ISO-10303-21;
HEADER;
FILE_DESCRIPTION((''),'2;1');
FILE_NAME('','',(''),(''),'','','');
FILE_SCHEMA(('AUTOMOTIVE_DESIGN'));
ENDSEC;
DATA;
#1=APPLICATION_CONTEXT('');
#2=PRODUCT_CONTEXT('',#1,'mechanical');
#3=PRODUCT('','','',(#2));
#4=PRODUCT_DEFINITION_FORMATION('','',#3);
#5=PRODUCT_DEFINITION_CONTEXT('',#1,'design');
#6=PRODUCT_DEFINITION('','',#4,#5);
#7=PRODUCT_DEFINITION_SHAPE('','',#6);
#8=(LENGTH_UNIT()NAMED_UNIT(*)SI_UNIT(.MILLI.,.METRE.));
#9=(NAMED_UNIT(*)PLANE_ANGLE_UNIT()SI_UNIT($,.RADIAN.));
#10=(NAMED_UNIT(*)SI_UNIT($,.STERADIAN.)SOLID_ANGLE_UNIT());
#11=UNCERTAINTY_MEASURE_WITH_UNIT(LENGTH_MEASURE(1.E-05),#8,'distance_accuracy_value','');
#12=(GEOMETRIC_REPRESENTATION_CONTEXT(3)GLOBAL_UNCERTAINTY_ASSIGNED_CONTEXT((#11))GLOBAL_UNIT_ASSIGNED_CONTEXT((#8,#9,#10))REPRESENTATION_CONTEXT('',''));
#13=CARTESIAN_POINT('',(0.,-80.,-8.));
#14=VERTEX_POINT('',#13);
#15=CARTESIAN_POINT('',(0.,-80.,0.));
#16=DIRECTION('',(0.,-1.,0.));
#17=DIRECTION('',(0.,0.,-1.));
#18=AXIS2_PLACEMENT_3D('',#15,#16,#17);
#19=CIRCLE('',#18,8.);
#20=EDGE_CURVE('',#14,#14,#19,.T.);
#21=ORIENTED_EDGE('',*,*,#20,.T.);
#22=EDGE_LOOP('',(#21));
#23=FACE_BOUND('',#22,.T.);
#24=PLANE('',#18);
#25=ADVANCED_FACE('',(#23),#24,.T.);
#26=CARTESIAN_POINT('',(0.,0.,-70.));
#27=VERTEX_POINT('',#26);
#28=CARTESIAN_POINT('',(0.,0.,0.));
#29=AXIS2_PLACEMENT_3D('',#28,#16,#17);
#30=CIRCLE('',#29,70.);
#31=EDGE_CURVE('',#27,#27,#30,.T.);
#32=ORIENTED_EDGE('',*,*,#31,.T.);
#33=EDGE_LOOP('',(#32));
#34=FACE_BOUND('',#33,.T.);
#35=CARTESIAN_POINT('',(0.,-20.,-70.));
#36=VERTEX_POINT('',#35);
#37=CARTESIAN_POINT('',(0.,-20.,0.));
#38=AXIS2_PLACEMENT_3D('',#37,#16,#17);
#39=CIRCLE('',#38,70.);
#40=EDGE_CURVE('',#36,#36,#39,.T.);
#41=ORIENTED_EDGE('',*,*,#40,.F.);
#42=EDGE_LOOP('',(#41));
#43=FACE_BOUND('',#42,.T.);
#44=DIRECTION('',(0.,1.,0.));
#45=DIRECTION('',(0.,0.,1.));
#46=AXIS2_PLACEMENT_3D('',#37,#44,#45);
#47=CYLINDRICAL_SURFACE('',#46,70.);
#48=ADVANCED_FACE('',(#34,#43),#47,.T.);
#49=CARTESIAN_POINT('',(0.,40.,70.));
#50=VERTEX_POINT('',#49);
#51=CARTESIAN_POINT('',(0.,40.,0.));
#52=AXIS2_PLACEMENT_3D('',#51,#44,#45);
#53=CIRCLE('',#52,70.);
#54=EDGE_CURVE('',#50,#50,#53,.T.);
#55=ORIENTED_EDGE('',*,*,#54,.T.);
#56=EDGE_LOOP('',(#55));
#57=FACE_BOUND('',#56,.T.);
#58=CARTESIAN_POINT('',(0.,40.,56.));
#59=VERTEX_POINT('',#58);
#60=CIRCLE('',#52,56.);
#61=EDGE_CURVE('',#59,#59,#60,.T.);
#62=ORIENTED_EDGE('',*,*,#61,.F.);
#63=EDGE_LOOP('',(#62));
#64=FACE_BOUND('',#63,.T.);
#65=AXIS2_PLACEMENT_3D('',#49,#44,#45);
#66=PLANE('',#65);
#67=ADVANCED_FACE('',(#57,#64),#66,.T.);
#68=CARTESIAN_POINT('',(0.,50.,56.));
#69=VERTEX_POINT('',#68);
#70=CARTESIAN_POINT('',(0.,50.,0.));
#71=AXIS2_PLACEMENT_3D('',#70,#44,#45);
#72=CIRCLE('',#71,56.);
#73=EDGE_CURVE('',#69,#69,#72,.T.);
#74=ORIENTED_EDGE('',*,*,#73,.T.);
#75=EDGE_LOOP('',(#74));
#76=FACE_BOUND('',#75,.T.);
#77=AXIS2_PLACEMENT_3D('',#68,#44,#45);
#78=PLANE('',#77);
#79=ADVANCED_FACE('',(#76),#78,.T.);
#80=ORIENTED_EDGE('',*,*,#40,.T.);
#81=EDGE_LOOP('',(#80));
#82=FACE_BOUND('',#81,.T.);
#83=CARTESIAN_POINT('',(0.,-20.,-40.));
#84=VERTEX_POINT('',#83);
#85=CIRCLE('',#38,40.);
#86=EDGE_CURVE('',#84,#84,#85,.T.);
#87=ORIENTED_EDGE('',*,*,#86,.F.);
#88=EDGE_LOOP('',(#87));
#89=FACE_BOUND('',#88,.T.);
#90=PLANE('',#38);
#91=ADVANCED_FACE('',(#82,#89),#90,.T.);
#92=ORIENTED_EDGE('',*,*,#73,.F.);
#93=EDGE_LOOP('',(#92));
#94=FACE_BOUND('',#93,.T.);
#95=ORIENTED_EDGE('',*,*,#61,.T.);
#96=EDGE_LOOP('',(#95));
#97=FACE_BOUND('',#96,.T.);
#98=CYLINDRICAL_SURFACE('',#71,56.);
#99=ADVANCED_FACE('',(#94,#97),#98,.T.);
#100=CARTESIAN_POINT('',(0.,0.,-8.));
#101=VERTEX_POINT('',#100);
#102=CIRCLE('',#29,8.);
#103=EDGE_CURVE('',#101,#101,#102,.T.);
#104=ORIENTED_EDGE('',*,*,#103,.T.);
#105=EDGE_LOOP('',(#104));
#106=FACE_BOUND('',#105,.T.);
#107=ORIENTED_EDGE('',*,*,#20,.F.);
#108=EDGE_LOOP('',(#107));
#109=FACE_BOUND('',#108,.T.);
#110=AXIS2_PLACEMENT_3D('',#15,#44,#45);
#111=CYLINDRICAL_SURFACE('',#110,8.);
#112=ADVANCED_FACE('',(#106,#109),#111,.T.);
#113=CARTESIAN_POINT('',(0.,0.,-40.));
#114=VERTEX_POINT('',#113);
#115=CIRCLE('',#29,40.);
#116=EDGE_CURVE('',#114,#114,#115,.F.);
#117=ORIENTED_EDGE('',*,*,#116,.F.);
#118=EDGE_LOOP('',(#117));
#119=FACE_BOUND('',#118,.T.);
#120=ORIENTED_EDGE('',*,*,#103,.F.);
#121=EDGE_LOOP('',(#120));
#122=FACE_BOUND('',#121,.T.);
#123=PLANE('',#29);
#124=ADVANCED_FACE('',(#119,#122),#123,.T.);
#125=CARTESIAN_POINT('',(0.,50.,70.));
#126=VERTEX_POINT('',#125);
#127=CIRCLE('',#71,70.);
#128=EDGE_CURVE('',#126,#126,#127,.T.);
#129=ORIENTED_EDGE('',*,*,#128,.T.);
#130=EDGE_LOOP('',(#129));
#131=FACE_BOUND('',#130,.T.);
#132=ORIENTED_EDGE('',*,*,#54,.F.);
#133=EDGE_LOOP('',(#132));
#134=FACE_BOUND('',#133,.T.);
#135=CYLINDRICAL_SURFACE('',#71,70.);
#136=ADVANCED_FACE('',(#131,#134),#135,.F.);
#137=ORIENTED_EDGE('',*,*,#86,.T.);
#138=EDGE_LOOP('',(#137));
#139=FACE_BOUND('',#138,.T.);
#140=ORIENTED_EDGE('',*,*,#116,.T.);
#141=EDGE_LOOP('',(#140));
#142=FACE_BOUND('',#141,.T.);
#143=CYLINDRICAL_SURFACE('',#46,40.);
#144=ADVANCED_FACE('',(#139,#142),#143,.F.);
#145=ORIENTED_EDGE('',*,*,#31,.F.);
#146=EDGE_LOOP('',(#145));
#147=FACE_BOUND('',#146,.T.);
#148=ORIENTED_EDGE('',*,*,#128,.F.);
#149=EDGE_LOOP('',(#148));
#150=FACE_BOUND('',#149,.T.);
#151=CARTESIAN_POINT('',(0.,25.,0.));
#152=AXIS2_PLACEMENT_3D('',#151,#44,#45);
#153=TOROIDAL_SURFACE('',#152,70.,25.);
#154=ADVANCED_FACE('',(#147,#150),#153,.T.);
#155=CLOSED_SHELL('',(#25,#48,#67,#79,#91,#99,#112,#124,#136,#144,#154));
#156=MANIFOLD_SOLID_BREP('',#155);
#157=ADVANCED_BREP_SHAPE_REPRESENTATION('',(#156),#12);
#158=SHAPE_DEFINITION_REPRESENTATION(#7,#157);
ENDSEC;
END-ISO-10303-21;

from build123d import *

# Parameters (mm, degrees)
BOSS_EXTRUDE2_START = 20
SKETCH3_R           = 70
SKETCH3_R_2         = 40
BOSS_EXTRUDE2_DEPTH = 20
SKETCH4_R           = 8
BOSS_EXTRUDE3_DEPTH = 80


with BuildPart() as part:
    # Sketch2 → Revolve1 (revolve)
    with BuildSketch(Plane.YZ):
        with BuildLine():
            Line((0, 0), (0, 70))
            ThreePointArc((0, 70), (25, 95), (50, 70))
            Line((50, 70), (40, 70))
            Line((40, 70), (40, 56))
            Line((40, 56), (50, 56))
            Line((50, 56), (50, 0))
            Line((50, 0), (0, 0))
        make_face()
    revolve(axis=Axis((0, 50, 0), (0, -1, 0)))

    # Sketch3 → Boss-Extrude2 (add)
    with BuildSketch(Plane.XZ.offset(BOSS_EXTRUDE2_START)):
        with Locations(Location((0, 0, 0), (0, 0, 90))):
            Circle(SKETCH3_R)
        with Locations(Location((0, 0, 0), (0, 0, 270))):
            Circle(SKETCH3_R_2, mode=Mode.SUBTRACT)
    extrude(amount=-BOSS_EXTRUDE2_DEPTH)

    # Sketch4 → Boss-Extrude3 (add)
    with BuildSketch(Plane.XZ):
        with Locations(Location((0, 0, 0), (0, 0, 270))):
            Circle(SKETCH4_R)
    extrude(amount=BOSS_EXTRUDE3_DEPTH)


solid = part.part
